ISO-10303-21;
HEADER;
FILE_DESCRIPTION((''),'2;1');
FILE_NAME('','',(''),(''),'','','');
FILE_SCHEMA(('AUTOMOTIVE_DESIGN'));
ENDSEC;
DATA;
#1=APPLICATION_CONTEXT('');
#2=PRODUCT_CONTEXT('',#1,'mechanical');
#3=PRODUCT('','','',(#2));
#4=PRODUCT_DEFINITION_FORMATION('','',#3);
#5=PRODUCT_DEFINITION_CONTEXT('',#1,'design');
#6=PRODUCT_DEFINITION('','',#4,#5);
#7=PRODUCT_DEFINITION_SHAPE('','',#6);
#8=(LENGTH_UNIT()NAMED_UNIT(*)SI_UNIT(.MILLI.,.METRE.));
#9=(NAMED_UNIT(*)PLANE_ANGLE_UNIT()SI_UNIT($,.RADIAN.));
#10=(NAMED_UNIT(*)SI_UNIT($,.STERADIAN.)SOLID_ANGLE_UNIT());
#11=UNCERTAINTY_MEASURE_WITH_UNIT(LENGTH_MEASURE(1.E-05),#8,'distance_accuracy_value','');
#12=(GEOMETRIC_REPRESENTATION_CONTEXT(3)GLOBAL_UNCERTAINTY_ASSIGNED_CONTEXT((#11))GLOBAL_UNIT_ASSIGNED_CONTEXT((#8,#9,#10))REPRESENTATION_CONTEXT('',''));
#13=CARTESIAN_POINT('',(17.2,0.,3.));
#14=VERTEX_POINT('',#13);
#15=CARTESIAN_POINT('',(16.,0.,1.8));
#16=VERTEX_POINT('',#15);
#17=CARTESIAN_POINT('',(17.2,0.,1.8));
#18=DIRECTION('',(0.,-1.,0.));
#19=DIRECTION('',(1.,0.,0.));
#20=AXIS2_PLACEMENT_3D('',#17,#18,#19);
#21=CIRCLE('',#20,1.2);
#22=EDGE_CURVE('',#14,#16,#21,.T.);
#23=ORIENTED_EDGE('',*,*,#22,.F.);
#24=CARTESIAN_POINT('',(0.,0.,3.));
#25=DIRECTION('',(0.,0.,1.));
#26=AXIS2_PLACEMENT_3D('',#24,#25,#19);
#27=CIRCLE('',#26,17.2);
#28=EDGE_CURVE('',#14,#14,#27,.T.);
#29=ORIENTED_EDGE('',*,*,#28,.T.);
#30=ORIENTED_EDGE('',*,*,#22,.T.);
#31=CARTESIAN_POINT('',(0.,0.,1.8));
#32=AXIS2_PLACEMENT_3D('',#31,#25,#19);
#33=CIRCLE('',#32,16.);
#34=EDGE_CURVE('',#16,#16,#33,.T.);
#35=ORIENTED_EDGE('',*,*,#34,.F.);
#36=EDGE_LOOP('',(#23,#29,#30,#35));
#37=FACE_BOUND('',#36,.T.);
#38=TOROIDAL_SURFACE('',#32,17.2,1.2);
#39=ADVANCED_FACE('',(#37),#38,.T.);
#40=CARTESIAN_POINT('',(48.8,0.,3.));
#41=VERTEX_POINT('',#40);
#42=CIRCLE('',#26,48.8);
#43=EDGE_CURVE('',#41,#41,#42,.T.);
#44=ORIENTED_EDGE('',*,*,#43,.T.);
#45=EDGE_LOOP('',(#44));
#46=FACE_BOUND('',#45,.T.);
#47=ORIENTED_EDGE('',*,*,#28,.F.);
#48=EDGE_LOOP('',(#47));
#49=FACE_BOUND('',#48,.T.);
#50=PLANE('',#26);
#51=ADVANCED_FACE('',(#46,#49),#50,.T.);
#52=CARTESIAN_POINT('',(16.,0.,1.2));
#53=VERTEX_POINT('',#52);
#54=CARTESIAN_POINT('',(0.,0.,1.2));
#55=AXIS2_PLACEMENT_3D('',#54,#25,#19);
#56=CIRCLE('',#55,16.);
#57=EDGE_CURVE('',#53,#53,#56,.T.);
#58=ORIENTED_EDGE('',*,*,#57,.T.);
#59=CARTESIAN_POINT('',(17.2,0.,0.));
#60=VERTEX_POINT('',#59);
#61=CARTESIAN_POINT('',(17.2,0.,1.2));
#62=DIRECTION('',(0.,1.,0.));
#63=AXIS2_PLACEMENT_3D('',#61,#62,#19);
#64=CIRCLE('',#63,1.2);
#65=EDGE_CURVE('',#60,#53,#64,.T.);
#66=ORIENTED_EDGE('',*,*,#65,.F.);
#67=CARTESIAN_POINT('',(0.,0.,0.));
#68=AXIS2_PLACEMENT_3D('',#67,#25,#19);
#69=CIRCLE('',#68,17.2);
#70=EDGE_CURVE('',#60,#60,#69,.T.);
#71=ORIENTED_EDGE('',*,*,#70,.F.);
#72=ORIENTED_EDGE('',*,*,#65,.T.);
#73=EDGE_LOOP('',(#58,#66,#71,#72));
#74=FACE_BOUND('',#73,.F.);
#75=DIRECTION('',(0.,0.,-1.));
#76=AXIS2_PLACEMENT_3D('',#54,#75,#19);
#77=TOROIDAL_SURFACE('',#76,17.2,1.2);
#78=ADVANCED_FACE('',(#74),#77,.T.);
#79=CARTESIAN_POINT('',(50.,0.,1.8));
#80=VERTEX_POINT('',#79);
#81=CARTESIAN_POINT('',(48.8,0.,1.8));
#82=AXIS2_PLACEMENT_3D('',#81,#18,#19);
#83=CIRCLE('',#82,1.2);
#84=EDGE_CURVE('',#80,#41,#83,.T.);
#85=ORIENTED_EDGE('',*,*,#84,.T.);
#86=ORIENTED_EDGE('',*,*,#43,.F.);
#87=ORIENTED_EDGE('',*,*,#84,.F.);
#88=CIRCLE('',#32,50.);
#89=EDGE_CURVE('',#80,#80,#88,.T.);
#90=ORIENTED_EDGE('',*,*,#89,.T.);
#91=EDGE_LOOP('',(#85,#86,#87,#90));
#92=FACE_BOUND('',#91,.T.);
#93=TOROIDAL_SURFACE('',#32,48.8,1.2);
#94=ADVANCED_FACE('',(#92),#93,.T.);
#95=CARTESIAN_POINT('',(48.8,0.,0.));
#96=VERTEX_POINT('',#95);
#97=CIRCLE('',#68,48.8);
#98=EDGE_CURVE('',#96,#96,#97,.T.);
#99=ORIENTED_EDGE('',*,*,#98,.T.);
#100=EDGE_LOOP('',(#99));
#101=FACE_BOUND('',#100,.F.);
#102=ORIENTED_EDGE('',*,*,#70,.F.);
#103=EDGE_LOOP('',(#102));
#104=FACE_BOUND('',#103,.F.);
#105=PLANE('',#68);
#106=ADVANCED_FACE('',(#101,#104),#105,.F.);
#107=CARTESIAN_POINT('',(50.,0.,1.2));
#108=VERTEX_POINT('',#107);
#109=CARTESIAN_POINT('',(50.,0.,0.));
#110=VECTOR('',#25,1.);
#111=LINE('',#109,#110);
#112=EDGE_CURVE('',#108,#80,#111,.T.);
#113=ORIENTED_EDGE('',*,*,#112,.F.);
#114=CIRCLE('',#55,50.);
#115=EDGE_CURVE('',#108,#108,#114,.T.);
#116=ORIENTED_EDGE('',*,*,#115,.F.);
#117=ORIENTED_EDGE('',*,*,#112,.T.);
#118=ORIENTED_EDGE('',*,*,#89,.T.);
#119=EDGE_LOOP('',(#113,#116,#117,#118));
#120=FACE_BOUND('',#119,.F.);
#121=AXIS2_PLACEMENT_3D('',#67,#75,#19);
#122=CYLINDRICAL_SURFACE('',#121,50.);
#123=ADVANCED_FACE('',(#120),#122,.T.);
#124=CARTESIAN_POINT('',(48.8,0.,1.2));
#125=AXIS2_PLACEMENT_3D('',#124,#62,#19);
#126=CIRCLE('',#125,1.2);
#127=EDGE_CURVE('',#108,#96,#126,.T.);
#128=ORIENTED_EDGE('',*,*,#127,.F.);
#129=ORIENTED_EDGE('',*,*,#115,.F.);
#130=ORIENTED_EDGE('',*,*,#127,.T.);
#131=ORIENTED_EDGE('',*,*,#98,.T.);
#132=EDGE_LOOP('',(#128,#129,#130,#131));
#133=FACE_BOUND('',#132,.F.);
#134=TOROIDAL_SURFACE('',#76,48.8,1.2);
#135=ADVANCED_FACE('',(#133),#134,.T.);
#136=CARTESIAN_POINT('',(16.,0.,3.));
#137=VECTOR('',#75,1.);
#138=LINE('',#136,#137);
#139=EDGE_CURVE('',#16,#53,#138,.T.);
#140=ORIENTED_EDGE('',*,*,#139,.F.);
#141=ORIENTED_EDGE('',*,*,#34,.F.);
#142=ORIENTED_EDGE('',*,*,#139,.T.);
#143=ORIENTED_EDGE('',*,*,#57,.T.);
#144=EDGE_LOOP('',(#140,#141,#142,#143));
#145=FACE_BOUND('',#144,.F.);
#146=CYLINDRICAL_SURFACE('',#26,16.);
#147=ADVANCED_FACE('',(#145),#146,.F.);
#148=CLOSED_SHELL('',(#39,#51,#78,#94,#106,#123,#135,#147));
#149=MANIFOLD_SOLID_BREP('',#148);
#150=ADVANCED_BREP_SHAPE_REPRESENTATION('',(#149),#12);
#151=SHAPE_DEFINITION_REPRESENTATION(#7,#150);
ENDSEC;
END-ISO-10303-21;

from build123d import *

# Parameters (mm, degrees)
SKETCH_R     = 50
PAD_DEPTH    = 3
SKETCH001_R  = 16
POCKET_DEPTH = 3.001
FILLET_R     = 1.2


with BuildPart() as part:
    # Sketch → Pad (new body)
    with BuildSketch(Plane.XY):
        Circle(SKETCH_R)
    extrude(amount=PAD_DEPTH)

    # Sketch001 (on Face3 of Pad) → Pocket (cut, through all)
    with BuildSketch(Plane.XY.offset(3)):
        Circle(SKETCH001_R)
    extrude(amount=-POCKET_DEPTH, mode=Mode.SUBTRACT)

    # Fillet
    fillet_edges = [part.edges().sort_by_distance(p)[0] for p in [
        (-16, 0, 3),
        (16, 0, 1.5),
        (-16, 0, 0),
        (50, 0, 1.5),
        (-50, 0, 0),
        (-50, 0, 3),
    ]]
    fillet(fillet_edges, radius=FILLET_R)


solid = part.part
